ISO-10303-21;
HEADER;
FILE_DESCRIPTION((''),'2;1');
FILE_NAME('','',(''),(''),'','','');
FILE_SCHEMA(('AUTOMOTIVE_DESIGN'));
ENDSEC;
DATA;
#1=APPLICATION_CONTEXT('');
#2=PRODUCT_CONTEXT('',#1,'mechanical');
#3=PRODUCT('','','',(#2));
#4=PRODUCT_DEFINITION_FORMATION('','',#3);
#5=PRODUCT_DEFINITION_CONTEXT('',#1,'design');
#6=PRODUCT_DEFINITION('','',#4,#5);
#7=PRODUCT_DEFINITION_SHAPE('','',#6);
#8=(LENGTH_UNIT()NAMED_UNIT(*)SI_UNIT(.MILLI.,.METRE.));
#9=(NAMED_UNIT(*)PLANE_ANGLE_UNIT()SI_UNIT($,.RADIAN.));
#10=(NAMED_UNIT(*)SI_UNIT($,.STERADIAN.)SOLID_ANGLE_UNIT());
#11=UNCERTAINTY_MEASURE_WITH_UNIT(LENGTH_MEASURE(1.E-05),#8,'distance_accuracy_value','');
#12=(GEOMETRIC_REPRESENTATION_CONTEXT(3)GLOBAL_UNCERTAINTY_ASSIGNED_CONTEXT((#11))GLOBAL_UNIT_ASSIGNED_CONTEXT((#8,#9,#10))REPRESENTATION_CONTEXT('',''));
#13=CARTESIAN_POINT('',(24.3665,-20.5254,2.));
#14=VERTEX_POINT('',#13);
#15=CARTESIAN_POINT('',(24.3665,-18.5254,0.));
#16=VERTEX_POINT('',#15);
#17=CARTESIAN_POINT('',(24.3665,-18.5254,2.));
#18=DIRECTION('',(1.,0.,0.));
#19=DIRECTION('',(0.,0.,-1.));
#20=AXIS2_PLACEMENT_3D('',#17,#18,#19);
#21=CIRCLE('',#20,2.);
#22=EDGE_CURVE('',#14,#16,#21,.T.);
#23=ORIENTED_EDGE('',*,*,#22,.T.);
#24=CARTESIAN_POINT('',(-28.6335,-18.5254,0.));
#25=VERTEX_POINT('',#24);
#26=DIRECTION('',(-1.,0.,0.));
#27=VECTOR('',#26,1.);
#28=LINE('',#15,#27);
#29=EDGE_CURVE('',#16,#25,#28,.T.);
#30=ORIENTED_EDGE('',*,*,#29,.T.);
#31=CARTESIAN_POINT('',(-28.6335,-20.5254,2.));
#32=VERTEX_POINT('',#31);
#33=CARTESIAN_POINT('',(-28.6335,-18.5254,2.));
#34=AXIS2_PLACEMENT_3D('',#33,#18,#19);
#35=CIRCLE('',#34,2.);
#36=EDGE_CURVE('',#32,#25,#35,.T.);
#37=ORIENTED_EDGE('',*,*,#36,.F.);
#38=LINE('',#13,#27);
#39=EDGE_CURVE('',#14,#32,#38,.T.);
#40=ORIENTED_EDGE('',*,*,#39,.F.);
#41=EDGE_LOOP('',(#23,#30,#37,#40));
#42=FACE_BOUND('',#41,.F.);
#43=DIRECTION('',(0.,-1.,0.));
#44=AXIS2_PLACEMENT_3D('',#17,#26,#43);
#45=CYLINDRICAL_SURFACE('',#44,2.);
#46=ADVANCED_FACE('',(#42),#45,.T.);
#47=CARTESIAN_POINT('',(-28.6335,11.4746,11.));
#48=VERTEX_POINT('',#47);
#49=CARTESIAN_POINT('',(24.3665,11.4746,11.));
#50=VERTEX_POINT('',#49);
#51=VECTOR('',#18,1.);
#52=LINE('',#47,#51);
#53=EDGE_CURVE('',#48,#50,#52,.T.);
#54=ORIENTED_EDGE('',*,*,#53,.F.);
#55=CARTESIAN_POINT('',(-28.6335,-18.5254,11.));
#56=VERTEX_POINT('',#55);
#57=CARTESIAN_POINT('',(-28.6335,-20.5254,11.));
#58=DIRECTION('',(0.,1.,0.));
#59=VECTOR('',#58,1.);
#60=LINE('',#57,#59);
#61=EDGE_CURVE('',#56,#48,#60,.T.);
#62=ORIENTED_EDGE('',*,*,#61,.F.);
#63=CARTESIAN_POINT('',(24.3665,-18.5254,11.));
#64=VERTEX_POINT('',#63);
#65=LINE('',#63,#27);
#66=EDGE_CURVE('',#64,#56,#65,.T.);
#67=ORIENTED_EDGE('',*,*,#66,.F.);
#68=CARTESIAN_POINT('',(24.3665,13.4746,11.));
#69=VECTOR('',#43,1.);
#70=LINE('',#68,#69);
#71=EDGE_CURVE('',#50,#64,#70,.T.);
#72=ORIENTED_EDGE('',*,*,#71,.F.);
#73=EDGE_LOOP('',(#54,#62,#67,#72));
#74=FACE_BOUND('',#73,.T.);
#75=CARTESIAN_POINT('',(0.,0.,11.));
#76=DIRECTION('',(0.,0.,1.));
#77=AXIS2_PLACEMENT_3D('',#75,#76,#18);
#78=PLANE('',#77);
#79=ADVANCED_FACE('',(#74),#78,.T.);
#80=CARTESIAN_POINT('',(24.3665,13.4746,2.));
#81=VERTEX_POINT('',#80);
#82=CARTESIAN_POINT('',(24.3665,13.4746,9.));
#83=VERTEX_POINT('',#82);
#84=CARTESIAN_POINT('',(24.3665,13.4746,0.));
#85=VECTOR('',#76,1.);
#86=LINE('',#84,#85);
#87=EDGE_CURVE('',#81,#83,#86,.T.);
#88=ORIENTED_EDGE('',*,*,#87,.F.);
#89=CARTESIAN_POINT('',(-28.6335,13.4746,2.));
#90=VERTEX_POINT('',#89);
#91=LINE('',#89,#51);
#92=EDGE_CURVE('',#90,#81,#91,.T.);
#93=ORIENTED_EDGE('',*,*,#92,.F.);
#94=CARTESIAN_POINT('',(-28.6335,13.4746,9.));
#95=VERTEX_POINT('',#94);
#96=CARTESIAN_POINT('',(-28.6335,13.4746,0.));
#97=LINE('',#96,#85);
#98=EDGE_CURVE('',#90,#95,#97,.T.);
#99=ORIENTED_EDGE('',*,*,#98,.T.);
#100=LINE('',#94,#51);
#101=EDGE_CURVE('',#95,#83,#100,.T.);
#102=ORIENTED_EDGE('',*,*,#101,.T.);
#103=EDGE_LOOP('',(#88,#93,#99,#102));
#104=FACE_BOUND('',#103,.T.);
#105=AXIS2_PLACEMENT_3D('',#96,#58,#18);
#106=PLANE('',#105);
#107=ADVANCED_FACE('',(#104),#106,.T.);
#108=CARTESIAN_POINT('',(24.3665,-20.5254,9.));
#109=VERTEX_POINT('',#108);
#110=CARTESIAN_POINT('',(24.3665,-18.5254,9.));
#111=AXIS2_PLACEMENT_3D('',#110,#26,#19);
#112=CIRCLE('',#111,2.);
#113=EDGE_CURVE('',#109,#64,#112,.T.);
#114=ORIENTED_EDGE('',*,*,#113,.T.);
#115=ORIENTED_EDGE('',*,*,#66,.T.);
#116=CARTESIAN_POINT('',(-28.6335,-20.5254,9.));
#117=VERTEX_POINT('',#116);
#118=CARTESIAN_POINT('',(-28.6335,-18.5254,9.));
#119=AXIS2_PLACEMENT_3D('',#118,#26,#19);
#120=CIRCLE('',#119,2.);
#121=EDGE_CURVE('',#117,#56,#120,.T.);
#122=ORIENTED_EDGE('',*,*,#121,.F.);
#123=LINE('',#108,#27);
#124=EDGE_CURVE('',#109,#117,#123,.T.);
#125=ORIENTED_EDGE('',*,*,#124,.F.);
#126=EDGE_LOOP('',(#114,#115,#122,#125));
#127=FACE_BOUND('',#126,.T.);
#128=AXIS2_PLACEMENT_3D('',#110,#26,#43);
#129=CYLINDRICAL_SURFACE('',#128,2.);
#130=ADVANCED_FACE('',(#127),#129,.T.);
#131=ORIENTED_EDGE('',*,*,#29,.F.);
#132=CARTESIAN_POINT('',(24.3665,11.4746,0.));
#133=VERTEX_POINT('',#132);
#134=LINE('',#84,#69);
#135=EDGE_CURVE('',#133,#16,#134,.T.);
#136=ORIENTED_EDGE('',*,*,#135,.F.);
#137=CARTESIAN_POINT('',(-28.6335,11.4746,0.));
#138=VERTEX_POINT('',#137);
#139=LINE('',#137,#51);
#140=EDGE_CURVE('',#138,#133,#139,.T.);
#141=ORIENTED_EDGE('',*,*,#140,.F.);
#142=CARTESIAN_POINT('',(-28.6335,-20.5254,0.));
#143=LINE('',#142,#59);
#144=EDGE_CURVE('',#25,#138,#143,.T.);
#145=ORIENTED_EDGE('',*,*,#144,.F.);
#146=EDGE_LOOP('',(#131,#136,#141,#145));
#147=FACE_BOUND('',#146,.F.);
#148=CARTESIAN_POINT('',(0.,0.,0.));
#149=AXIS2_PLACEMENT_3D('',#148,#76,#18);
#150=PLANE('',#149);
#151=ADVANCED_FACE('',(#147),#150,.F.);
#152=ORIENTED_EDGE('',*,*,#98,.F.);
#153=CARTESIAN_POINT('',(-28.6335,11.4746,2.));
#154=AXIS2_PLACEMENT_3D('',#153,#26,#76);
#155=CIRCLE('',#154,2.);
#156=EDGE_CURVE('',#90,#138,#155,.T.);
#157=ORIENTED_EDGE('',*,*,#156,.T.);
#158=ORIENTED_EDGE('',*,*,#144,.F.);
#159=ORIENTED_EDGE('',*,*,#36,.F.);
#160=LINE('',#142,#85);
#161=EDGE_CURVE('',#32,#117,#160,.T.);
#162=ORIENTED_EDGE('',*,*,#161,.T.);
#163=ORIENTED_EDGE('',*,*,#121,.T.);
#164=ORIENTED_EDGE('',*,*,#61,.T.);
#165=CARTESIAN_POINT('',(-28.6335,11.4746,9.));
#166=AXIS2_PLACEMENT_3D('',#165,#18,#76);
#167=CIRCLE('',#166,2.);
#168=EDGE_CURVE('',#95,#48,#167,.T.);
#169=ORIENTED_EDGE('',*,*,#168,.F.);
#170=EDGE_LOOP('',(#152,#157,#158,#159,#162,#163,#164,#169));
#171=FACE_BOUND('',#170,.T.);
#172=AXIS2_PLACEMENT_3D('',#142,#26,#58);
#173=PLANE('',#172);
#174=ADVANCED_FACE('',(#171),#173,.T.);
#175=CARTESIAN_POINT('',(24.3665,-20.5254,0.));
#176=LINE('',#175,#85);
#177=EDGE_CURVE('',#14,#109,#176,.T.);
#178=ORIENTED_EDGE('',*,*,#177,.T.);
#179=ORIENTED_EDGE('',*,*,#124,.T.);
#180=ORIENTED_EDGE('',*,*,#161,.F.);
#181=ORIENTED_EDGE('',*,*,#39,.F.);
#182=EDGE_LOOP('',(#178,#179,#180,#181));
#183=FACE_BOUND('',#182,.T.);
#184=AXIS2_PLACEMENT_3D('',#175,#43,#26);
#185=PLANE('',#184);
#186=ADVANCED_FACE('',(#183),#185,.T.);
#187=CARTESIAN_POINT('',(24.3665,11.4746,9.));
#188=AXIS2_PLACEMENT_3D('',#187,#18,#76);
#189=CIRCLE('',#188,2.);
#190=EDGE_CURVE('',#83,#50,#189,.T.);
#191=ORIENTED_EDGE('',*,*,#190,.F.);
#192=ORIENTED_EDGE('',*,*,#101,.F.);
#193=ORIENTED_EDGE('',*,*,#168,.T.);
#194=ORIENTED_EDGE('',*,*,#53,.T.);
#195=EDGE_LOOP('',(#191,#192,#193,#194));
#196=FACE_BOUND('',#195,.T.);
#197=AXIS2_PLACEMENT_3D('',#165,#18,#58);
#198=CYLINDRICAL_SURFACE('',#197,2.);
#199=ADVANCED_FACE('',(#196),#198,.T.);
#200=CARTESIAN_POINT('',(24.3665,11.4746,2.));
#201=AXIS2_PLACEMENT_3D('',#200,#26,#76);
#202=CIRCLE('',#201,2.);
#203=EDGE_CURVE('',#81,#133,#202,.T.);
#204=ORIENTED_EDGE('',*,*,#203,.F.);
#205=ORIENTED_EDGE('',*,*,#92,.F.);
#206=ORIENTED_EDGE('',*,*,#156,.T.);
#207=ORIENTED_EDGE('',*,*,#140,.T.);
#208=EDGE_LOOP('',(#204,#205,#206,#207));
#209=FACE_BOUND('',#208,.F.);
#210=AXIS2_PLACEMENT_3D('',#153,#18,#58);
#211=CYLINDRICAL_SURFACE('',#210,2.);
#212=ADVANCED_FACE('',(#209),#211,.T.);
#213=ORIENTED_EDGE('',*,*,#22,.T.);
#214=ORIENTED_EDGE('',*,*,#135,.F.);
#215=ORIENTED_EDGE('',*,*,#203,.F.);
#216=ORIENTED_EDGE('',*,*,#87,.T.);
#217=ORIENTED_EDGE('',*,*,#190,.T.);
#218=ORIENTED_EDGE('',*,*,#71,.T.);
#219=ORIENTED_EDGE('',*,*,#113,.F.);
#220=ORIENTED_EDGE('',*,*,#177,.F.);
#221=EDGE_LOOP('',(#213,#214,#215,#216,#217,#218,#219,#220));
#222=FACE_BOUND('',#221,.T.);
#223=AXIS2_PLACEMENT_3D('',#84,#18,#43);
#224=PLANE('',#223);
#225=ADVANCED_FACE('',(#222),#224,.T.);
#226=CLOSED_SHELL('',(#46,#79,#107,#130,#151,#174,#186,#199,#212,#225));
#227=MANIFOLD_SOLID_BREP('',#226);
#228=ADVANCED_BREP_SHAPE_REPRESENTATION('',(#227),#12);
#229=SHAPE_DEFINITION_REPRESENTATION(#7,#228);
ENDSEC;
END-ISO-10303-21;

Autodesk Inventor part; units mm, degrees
ref_plane "YZ Plane" through (0, 0, 0) normal (1, 0, 0) x (0, 1, 0)
ref_plane "XZ Plane" through (0, 0, 0) normal (0, 1, 0) x (-1, 0, 0)
ref_plane "XY Plane" through (0, 0, 0) normal (0, 0, 1) x (1, 0, 0)
sketch "Sketch1" plane through (0, 0, 0) normal (0, 0, 1) x (1, 0, 0)
  line L0 (-28.6335, 13.4746) -> (24.3665, 13.4746)
  line L1 (24.3665, 13.4746) -> (24.3665, -20.5254)
  line L2 (24.3665, -20.5254) -> (-28.6335, -20.5254)
  line L3 (-28.6335, -20.5254) -> (-28.6335, 13.4746)
  point P0 (0, 0)
  dimension "d0" = 53
  dimension "d1" = 34
extrude "Extrusion1" add sketch "Sketch1" along normal blind 11
fillet "Fillet1" radius 2 4 edges at (-2.1335, 13.4746, 11) (-2.1335, 13.4746, 0) (-2.1335, -20.5254, 11) (-2.1335, -20.5254, 0)
properties part number "battery_mockup"
